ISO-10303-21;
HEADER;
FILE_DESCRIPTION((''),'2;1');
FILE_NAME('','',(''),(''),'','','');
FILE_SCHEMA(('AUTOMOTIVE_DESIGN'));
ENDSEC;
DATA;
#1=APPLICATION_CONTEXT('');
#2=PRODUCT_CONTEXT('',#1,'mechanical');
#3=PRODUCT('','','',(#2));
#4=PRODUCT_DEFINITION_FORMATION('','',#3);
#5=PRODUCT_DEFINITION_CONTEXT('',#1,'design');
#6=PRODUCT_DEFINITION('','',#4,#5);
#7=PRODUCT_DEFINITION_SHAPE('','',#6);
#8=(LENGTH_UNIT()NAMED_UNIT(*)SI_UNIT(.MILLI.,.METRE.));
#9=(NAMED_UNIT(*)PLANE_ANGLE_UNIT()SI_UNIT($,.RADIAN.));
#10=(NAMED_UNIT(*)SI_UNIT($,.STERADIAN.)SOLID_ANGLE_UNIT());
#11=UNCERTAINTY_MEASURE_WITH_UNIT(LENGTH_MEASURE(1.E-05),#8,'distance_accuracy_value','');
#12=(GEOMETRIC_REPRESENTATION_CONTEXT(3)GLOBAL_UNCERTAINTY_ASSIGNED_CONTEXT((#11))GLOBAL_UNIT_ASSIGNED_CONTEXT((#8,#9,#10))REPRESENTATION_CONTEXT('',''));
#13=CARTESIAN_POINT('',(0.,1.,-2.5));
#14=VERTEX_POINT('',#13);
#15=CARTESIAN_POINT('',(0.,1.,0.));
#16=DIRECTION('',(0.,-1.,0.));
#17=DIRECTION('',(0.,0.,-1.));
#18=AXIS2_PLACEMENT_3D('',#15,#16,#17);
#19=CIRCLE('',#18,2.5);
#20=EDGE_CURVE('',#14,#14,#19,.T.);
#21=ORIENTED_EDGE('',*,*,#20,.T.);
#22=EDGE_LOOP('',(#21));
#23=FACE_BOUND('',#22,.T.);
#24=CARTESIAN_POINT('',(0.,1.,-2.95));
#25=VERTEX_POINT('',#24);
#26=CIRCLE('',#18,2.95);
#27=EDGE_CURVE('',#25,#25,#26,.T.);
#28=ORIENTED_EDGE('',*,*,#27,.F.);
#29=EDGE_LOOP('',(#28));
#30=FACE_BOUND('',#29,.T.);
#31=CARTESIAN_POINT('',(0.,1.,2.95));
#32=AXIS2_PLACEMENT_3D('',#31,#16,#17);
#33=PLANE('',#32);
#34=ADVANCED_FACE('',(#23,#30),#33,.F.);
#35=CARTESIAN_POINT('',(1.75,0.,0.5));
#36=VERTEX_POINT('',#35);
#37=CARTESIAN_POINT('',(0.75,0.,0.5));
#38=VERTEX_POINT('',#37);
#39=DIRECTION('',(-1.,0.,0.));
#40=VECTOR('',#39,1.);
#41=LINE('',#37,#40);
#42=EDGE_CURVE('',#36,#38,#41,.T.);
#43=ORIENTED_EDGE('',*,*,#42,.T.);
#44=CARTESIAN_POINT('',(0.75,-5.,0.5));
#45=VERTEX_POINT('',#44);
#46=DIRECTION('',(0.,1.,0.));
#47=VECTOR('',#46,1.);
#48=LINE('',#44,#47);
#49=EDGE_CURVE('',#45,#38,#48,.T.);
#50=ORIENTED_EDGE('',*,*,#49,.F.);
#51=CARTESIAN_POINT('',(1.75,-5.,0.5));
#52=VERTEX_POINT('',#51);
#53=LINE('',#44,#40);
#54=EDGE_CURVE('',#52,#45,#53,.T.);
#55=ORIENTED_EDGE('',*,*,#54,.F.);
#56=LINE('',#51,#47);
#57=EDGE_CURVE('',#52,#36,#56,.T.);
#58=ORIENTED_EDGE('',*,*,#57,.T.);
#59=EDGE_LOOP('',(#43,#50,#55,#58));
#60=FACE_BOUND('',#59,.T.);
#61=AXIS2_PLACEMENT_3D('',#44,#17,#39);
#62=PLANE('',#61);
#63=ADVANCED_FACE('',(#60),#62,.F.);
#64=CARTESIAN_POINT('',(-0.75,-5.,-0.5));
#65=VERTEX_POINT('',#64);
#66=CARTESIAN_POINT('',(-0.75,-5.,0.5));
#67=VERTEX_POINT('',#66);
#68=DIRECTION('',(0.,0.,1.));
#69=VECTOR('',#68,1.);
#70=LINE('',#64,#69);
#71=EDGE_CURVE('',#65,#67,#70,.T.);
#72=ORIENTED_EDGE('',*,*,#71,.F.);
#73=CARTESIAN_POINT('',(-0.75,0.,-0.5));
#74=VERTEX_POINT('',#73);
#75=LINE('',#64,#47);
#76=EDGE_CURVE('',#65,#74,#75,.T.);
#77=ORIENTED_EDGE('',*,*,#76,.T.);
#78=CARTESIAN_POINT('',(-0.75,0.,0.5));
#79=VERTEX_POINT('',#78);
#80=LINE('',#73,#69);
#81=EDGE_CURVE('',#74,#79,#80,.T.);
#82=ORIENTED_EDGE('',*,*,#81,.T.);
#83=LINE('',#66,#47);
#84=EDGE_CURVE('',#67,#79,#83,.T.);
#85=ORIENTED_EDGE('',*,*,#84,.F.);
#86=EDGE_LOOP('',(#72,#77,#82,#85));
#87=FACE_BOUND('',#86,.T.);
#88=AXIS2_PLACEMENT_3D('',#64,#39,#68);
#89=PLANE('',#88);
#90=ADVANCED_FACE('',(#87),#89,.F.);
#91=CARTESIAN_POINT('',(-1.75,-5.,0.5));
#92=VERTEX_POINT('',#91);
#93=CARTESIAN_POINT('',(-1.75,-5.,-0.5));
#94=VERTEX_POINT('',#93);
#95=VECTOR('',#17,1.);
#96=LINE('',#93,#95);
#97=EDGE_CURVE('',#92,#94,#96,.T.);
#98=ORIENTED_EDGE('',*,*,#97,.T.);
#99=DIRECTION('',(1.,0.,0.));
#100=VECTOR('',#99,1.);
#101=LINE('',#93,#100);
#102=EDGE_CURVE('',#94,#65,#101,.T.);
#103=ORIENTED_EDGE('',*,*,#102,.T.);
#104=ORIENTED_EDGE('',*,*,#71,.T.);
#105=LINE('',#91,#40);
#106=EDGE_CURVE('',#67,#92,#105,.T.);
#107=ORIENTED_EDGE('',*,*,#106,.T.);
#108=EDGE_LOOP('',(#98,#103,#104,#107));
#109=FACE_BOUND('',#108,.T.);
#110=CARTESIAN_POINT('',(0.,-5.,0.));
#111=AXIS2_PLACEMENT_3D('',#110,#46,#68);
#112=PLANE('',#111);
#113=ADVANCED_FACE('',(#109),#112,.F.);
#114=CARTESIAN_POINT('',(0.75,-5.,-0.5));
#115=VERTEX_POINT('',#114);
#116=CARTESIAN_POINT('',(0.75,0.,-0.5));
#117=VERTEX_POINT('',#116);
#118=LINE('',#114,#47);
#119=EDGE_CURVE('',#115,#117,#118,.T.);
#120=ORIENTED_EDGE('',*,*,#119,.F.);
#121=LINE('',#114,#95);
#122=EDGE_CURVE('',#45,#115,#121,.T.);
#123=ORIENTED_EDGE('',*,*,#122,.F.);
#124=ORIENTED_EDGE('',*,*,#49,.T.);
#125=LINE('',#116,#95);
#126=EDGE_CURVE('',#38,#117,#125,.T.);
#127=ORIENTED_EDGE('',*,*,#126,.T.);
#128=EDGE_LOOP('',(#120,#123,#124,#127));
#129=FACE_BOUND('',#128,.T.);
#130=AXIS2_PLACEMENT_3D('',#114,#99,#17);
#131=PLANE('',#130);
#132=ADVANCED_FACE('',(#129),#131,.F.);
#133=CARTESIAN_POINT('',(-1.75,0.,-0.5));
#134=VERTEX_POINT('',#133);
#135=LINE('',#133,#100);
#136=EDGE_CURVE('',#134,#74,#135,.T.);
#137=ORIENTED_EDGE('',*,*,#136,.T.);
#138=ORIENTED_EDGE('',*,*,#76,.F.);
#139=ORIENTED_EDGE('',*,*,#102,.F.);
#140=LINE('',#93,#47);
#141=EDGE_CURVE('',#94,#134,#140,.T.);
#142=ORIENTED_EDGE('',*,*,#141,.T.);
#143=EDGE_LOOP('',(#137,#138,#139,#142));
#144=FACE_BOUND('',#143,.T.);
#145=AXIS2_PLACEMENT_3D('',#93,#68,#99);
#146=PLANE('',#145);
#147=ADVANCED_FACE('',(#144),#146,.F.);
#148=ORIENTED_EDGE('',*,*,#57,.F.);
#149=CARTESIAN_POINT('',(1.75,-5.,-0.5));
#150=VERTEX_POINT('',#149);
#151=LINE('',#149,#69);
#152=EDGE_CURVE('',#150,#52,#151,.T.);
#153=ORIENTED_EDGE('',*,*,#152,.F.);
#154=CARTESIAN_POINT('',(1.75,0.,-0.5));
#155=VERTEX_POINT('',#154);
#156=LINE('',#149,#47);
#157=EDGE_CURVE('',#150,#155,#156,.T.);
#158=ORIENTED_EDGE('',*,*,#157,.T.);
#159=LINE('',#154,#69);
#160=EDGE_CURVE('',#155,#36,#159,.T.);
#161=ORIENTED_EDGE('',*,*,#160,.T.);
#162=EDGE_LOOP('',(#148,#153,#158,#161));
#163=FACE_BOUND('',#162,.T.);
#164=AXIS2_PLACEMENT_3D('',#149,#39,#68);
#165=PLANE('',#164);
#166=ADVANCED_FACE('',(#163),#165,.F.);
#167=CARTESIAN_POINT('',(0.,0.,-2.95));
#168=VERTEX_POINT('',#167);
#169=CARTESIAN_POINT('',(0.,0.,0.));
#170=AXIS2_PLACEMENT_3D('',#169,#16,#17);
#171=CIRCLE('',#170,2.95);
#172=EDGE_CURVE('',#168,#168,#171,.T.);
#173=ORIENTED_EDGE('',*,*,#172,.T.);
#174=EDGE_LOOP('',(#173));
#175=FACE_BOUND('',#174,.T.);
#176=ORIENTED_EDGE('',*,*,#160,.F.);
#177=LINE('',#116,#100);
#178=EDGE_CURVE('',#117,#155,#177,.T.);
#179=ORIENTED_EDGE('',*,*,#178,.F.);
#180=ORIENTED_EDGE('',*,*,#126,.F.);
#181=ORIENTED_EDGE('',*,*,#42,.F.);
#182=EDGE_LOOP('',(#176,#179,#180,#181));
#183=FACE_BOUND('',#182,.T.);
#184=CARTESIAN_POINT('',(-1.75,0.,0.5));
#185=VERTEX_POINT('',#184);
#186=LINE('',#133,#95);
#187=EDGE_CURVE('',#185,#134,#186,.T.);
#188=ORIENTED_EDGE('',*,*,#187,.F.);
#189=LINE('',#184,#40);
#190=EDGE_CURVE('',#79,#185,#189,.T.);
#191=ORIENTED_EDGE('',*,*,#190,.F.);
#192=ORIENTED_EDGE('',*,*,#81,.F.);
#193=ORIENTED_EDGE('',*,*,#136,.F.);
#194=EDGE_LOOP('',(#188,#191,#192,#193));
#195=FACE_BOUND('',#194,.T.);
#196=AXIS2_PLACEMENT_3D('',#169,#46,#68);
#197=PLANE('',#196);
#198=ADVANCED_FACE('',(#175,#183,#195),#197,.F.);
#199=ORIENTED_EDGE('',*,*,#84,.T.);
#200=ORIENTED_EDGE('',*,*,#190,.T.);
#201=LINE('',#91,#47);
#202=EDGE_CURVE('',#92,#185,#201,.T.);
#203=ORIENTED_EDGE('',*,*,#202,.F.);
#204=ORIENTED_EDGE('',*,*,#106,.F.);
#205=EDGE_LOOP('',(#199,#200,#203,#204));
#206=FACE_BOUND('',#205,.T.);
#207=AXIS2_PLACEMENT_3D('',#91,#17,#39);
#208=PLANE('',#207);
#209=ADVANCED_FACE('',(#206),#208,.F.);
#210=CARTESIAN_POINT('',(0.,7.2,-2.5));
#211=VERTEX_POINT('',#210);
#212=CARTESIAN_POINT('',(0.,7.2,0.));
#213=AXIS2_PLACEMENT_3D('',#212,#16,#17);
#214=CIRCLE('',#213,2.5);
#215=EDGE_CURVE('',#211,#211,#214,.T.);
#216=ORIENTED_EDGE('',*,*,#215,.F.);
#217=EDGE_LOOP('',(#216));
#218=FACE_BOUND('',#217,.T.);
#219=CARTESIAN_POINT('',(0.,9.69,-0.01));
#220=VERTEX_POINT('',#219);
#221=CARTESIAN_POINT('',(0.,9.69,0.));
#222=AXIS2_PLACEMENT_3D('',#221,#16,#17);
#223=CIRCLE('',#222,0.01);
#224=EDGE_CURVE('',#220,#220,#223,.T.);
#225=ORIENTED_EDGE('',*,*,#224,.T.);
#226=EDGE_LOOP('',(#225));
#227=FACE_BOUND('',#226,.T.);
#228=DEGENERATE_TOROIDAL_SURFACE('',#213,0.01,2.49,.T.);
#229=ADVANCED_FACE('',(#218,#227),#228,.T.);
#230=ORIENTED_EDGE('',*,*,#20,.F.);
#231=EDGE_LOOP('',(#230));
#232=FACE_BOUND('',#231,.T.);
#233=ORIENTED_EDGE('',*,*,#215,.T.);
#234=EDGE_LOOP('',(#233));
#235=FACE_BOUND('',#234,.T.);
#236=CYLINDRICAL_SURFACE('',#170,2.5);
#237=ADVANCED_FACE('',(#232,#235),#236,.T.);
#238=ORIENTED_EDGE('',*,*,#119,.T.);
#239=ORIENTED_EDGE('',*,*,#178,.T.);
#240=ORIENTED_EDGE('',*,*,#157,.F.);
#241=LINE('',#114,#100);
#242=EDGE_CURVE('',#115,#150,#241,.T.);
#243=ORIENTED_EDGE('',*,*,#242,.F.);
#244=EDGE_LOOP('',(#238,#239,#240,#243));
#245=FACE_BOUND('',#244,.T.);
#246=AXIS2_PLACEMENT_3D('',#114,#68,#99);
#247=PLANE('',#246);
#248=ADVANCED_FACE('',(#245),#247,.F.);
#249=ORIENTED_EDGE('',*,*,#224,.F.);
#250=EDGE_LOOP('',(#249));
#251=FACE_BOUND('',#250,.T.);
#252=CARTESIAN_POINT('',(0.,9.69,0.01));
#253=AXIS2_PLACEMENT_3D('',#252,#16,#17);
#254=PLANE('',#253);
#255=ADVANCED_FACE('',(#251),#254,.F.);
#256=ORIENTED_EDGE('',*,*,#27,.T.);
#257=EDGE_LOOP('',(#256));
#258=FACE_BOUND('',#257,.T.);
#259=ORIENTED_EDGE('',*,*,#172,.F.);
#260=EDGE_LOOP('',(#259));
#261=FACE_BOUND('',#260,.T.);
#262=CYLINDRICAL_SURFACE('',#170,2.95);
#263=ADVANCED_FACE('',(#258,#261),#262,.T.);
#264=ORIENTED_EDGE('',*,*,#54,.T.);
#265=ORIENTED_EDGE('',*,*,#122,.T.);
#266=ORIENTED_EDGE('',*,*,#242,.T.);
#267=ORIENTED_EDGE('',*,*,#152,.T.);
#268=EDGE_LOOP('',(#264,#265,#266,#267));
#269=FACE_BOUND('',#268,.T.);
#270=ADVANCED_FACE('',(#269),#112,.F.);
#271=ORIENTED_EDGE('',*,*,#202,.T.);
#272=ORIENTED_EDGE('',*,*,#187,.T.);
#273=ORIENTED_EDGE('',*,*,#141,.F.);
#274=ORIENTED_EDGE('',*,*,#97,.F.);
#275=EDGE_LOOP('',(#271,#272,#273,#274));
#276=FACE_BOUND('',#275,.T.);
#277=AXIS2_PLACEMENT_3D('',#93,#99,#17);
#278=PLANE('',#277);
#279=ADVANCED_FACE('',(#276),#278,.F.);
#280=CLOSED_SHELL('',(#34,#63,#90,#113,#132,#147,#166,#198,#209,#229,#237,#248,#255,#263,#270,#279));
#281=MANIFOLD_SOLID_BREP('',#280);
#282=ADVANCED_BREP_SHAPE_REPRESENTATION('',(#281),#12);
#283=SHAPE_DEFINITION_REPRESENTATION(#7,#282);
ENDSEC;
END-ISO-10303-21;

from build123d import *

# Parameters (mm, degrees)
SKETCH2_W           = 1
SKETCH2_H           = 1
BOSS_EXTRUDE1_DEPTH = 5


with BuildPart() as part:
    # Sketch1 → Revolve1 (revolve)
    with BuildSketch(Plane(origin=(0, 0, 0), x_dir=(0, 0, -1), z_dir=(1, 0, 0))):
        with BuildLine():
            Line((0, 0), (0, 9.69))
            Line((0, 9.69), (-0.01, 9.69))
            ThreePointArc((-0.01, 9.69), (-1.770695885, 8.960695885), (-2.5, 7.2))
            Line((-2.5, 7.2), (-2.5, 1))
            Line((-2.5, 1), (-2.95, 1))
            Line((-2.95, 1), (-2.95, 0))
            Line((-2.95, 0), (0, 0))
        make_face()
    revolve(axis=Axis((0, 0, 0), (0, 1, 0)))

    # Sketch2 → Boss-Extrude1 (add)
    with BuildSketch(Plane.XZ):
        with Locations((-1.25, 0)):
            Rectangle(SKETCH2_W, SKETCH2_H)
        with Locations((1.25, 0)):
            Rectangle(SKETCH2_W, SKETCH2_H)
    extrude(amount=BOSS_EXTRUDE1_DEPTH)


solid = part.part
